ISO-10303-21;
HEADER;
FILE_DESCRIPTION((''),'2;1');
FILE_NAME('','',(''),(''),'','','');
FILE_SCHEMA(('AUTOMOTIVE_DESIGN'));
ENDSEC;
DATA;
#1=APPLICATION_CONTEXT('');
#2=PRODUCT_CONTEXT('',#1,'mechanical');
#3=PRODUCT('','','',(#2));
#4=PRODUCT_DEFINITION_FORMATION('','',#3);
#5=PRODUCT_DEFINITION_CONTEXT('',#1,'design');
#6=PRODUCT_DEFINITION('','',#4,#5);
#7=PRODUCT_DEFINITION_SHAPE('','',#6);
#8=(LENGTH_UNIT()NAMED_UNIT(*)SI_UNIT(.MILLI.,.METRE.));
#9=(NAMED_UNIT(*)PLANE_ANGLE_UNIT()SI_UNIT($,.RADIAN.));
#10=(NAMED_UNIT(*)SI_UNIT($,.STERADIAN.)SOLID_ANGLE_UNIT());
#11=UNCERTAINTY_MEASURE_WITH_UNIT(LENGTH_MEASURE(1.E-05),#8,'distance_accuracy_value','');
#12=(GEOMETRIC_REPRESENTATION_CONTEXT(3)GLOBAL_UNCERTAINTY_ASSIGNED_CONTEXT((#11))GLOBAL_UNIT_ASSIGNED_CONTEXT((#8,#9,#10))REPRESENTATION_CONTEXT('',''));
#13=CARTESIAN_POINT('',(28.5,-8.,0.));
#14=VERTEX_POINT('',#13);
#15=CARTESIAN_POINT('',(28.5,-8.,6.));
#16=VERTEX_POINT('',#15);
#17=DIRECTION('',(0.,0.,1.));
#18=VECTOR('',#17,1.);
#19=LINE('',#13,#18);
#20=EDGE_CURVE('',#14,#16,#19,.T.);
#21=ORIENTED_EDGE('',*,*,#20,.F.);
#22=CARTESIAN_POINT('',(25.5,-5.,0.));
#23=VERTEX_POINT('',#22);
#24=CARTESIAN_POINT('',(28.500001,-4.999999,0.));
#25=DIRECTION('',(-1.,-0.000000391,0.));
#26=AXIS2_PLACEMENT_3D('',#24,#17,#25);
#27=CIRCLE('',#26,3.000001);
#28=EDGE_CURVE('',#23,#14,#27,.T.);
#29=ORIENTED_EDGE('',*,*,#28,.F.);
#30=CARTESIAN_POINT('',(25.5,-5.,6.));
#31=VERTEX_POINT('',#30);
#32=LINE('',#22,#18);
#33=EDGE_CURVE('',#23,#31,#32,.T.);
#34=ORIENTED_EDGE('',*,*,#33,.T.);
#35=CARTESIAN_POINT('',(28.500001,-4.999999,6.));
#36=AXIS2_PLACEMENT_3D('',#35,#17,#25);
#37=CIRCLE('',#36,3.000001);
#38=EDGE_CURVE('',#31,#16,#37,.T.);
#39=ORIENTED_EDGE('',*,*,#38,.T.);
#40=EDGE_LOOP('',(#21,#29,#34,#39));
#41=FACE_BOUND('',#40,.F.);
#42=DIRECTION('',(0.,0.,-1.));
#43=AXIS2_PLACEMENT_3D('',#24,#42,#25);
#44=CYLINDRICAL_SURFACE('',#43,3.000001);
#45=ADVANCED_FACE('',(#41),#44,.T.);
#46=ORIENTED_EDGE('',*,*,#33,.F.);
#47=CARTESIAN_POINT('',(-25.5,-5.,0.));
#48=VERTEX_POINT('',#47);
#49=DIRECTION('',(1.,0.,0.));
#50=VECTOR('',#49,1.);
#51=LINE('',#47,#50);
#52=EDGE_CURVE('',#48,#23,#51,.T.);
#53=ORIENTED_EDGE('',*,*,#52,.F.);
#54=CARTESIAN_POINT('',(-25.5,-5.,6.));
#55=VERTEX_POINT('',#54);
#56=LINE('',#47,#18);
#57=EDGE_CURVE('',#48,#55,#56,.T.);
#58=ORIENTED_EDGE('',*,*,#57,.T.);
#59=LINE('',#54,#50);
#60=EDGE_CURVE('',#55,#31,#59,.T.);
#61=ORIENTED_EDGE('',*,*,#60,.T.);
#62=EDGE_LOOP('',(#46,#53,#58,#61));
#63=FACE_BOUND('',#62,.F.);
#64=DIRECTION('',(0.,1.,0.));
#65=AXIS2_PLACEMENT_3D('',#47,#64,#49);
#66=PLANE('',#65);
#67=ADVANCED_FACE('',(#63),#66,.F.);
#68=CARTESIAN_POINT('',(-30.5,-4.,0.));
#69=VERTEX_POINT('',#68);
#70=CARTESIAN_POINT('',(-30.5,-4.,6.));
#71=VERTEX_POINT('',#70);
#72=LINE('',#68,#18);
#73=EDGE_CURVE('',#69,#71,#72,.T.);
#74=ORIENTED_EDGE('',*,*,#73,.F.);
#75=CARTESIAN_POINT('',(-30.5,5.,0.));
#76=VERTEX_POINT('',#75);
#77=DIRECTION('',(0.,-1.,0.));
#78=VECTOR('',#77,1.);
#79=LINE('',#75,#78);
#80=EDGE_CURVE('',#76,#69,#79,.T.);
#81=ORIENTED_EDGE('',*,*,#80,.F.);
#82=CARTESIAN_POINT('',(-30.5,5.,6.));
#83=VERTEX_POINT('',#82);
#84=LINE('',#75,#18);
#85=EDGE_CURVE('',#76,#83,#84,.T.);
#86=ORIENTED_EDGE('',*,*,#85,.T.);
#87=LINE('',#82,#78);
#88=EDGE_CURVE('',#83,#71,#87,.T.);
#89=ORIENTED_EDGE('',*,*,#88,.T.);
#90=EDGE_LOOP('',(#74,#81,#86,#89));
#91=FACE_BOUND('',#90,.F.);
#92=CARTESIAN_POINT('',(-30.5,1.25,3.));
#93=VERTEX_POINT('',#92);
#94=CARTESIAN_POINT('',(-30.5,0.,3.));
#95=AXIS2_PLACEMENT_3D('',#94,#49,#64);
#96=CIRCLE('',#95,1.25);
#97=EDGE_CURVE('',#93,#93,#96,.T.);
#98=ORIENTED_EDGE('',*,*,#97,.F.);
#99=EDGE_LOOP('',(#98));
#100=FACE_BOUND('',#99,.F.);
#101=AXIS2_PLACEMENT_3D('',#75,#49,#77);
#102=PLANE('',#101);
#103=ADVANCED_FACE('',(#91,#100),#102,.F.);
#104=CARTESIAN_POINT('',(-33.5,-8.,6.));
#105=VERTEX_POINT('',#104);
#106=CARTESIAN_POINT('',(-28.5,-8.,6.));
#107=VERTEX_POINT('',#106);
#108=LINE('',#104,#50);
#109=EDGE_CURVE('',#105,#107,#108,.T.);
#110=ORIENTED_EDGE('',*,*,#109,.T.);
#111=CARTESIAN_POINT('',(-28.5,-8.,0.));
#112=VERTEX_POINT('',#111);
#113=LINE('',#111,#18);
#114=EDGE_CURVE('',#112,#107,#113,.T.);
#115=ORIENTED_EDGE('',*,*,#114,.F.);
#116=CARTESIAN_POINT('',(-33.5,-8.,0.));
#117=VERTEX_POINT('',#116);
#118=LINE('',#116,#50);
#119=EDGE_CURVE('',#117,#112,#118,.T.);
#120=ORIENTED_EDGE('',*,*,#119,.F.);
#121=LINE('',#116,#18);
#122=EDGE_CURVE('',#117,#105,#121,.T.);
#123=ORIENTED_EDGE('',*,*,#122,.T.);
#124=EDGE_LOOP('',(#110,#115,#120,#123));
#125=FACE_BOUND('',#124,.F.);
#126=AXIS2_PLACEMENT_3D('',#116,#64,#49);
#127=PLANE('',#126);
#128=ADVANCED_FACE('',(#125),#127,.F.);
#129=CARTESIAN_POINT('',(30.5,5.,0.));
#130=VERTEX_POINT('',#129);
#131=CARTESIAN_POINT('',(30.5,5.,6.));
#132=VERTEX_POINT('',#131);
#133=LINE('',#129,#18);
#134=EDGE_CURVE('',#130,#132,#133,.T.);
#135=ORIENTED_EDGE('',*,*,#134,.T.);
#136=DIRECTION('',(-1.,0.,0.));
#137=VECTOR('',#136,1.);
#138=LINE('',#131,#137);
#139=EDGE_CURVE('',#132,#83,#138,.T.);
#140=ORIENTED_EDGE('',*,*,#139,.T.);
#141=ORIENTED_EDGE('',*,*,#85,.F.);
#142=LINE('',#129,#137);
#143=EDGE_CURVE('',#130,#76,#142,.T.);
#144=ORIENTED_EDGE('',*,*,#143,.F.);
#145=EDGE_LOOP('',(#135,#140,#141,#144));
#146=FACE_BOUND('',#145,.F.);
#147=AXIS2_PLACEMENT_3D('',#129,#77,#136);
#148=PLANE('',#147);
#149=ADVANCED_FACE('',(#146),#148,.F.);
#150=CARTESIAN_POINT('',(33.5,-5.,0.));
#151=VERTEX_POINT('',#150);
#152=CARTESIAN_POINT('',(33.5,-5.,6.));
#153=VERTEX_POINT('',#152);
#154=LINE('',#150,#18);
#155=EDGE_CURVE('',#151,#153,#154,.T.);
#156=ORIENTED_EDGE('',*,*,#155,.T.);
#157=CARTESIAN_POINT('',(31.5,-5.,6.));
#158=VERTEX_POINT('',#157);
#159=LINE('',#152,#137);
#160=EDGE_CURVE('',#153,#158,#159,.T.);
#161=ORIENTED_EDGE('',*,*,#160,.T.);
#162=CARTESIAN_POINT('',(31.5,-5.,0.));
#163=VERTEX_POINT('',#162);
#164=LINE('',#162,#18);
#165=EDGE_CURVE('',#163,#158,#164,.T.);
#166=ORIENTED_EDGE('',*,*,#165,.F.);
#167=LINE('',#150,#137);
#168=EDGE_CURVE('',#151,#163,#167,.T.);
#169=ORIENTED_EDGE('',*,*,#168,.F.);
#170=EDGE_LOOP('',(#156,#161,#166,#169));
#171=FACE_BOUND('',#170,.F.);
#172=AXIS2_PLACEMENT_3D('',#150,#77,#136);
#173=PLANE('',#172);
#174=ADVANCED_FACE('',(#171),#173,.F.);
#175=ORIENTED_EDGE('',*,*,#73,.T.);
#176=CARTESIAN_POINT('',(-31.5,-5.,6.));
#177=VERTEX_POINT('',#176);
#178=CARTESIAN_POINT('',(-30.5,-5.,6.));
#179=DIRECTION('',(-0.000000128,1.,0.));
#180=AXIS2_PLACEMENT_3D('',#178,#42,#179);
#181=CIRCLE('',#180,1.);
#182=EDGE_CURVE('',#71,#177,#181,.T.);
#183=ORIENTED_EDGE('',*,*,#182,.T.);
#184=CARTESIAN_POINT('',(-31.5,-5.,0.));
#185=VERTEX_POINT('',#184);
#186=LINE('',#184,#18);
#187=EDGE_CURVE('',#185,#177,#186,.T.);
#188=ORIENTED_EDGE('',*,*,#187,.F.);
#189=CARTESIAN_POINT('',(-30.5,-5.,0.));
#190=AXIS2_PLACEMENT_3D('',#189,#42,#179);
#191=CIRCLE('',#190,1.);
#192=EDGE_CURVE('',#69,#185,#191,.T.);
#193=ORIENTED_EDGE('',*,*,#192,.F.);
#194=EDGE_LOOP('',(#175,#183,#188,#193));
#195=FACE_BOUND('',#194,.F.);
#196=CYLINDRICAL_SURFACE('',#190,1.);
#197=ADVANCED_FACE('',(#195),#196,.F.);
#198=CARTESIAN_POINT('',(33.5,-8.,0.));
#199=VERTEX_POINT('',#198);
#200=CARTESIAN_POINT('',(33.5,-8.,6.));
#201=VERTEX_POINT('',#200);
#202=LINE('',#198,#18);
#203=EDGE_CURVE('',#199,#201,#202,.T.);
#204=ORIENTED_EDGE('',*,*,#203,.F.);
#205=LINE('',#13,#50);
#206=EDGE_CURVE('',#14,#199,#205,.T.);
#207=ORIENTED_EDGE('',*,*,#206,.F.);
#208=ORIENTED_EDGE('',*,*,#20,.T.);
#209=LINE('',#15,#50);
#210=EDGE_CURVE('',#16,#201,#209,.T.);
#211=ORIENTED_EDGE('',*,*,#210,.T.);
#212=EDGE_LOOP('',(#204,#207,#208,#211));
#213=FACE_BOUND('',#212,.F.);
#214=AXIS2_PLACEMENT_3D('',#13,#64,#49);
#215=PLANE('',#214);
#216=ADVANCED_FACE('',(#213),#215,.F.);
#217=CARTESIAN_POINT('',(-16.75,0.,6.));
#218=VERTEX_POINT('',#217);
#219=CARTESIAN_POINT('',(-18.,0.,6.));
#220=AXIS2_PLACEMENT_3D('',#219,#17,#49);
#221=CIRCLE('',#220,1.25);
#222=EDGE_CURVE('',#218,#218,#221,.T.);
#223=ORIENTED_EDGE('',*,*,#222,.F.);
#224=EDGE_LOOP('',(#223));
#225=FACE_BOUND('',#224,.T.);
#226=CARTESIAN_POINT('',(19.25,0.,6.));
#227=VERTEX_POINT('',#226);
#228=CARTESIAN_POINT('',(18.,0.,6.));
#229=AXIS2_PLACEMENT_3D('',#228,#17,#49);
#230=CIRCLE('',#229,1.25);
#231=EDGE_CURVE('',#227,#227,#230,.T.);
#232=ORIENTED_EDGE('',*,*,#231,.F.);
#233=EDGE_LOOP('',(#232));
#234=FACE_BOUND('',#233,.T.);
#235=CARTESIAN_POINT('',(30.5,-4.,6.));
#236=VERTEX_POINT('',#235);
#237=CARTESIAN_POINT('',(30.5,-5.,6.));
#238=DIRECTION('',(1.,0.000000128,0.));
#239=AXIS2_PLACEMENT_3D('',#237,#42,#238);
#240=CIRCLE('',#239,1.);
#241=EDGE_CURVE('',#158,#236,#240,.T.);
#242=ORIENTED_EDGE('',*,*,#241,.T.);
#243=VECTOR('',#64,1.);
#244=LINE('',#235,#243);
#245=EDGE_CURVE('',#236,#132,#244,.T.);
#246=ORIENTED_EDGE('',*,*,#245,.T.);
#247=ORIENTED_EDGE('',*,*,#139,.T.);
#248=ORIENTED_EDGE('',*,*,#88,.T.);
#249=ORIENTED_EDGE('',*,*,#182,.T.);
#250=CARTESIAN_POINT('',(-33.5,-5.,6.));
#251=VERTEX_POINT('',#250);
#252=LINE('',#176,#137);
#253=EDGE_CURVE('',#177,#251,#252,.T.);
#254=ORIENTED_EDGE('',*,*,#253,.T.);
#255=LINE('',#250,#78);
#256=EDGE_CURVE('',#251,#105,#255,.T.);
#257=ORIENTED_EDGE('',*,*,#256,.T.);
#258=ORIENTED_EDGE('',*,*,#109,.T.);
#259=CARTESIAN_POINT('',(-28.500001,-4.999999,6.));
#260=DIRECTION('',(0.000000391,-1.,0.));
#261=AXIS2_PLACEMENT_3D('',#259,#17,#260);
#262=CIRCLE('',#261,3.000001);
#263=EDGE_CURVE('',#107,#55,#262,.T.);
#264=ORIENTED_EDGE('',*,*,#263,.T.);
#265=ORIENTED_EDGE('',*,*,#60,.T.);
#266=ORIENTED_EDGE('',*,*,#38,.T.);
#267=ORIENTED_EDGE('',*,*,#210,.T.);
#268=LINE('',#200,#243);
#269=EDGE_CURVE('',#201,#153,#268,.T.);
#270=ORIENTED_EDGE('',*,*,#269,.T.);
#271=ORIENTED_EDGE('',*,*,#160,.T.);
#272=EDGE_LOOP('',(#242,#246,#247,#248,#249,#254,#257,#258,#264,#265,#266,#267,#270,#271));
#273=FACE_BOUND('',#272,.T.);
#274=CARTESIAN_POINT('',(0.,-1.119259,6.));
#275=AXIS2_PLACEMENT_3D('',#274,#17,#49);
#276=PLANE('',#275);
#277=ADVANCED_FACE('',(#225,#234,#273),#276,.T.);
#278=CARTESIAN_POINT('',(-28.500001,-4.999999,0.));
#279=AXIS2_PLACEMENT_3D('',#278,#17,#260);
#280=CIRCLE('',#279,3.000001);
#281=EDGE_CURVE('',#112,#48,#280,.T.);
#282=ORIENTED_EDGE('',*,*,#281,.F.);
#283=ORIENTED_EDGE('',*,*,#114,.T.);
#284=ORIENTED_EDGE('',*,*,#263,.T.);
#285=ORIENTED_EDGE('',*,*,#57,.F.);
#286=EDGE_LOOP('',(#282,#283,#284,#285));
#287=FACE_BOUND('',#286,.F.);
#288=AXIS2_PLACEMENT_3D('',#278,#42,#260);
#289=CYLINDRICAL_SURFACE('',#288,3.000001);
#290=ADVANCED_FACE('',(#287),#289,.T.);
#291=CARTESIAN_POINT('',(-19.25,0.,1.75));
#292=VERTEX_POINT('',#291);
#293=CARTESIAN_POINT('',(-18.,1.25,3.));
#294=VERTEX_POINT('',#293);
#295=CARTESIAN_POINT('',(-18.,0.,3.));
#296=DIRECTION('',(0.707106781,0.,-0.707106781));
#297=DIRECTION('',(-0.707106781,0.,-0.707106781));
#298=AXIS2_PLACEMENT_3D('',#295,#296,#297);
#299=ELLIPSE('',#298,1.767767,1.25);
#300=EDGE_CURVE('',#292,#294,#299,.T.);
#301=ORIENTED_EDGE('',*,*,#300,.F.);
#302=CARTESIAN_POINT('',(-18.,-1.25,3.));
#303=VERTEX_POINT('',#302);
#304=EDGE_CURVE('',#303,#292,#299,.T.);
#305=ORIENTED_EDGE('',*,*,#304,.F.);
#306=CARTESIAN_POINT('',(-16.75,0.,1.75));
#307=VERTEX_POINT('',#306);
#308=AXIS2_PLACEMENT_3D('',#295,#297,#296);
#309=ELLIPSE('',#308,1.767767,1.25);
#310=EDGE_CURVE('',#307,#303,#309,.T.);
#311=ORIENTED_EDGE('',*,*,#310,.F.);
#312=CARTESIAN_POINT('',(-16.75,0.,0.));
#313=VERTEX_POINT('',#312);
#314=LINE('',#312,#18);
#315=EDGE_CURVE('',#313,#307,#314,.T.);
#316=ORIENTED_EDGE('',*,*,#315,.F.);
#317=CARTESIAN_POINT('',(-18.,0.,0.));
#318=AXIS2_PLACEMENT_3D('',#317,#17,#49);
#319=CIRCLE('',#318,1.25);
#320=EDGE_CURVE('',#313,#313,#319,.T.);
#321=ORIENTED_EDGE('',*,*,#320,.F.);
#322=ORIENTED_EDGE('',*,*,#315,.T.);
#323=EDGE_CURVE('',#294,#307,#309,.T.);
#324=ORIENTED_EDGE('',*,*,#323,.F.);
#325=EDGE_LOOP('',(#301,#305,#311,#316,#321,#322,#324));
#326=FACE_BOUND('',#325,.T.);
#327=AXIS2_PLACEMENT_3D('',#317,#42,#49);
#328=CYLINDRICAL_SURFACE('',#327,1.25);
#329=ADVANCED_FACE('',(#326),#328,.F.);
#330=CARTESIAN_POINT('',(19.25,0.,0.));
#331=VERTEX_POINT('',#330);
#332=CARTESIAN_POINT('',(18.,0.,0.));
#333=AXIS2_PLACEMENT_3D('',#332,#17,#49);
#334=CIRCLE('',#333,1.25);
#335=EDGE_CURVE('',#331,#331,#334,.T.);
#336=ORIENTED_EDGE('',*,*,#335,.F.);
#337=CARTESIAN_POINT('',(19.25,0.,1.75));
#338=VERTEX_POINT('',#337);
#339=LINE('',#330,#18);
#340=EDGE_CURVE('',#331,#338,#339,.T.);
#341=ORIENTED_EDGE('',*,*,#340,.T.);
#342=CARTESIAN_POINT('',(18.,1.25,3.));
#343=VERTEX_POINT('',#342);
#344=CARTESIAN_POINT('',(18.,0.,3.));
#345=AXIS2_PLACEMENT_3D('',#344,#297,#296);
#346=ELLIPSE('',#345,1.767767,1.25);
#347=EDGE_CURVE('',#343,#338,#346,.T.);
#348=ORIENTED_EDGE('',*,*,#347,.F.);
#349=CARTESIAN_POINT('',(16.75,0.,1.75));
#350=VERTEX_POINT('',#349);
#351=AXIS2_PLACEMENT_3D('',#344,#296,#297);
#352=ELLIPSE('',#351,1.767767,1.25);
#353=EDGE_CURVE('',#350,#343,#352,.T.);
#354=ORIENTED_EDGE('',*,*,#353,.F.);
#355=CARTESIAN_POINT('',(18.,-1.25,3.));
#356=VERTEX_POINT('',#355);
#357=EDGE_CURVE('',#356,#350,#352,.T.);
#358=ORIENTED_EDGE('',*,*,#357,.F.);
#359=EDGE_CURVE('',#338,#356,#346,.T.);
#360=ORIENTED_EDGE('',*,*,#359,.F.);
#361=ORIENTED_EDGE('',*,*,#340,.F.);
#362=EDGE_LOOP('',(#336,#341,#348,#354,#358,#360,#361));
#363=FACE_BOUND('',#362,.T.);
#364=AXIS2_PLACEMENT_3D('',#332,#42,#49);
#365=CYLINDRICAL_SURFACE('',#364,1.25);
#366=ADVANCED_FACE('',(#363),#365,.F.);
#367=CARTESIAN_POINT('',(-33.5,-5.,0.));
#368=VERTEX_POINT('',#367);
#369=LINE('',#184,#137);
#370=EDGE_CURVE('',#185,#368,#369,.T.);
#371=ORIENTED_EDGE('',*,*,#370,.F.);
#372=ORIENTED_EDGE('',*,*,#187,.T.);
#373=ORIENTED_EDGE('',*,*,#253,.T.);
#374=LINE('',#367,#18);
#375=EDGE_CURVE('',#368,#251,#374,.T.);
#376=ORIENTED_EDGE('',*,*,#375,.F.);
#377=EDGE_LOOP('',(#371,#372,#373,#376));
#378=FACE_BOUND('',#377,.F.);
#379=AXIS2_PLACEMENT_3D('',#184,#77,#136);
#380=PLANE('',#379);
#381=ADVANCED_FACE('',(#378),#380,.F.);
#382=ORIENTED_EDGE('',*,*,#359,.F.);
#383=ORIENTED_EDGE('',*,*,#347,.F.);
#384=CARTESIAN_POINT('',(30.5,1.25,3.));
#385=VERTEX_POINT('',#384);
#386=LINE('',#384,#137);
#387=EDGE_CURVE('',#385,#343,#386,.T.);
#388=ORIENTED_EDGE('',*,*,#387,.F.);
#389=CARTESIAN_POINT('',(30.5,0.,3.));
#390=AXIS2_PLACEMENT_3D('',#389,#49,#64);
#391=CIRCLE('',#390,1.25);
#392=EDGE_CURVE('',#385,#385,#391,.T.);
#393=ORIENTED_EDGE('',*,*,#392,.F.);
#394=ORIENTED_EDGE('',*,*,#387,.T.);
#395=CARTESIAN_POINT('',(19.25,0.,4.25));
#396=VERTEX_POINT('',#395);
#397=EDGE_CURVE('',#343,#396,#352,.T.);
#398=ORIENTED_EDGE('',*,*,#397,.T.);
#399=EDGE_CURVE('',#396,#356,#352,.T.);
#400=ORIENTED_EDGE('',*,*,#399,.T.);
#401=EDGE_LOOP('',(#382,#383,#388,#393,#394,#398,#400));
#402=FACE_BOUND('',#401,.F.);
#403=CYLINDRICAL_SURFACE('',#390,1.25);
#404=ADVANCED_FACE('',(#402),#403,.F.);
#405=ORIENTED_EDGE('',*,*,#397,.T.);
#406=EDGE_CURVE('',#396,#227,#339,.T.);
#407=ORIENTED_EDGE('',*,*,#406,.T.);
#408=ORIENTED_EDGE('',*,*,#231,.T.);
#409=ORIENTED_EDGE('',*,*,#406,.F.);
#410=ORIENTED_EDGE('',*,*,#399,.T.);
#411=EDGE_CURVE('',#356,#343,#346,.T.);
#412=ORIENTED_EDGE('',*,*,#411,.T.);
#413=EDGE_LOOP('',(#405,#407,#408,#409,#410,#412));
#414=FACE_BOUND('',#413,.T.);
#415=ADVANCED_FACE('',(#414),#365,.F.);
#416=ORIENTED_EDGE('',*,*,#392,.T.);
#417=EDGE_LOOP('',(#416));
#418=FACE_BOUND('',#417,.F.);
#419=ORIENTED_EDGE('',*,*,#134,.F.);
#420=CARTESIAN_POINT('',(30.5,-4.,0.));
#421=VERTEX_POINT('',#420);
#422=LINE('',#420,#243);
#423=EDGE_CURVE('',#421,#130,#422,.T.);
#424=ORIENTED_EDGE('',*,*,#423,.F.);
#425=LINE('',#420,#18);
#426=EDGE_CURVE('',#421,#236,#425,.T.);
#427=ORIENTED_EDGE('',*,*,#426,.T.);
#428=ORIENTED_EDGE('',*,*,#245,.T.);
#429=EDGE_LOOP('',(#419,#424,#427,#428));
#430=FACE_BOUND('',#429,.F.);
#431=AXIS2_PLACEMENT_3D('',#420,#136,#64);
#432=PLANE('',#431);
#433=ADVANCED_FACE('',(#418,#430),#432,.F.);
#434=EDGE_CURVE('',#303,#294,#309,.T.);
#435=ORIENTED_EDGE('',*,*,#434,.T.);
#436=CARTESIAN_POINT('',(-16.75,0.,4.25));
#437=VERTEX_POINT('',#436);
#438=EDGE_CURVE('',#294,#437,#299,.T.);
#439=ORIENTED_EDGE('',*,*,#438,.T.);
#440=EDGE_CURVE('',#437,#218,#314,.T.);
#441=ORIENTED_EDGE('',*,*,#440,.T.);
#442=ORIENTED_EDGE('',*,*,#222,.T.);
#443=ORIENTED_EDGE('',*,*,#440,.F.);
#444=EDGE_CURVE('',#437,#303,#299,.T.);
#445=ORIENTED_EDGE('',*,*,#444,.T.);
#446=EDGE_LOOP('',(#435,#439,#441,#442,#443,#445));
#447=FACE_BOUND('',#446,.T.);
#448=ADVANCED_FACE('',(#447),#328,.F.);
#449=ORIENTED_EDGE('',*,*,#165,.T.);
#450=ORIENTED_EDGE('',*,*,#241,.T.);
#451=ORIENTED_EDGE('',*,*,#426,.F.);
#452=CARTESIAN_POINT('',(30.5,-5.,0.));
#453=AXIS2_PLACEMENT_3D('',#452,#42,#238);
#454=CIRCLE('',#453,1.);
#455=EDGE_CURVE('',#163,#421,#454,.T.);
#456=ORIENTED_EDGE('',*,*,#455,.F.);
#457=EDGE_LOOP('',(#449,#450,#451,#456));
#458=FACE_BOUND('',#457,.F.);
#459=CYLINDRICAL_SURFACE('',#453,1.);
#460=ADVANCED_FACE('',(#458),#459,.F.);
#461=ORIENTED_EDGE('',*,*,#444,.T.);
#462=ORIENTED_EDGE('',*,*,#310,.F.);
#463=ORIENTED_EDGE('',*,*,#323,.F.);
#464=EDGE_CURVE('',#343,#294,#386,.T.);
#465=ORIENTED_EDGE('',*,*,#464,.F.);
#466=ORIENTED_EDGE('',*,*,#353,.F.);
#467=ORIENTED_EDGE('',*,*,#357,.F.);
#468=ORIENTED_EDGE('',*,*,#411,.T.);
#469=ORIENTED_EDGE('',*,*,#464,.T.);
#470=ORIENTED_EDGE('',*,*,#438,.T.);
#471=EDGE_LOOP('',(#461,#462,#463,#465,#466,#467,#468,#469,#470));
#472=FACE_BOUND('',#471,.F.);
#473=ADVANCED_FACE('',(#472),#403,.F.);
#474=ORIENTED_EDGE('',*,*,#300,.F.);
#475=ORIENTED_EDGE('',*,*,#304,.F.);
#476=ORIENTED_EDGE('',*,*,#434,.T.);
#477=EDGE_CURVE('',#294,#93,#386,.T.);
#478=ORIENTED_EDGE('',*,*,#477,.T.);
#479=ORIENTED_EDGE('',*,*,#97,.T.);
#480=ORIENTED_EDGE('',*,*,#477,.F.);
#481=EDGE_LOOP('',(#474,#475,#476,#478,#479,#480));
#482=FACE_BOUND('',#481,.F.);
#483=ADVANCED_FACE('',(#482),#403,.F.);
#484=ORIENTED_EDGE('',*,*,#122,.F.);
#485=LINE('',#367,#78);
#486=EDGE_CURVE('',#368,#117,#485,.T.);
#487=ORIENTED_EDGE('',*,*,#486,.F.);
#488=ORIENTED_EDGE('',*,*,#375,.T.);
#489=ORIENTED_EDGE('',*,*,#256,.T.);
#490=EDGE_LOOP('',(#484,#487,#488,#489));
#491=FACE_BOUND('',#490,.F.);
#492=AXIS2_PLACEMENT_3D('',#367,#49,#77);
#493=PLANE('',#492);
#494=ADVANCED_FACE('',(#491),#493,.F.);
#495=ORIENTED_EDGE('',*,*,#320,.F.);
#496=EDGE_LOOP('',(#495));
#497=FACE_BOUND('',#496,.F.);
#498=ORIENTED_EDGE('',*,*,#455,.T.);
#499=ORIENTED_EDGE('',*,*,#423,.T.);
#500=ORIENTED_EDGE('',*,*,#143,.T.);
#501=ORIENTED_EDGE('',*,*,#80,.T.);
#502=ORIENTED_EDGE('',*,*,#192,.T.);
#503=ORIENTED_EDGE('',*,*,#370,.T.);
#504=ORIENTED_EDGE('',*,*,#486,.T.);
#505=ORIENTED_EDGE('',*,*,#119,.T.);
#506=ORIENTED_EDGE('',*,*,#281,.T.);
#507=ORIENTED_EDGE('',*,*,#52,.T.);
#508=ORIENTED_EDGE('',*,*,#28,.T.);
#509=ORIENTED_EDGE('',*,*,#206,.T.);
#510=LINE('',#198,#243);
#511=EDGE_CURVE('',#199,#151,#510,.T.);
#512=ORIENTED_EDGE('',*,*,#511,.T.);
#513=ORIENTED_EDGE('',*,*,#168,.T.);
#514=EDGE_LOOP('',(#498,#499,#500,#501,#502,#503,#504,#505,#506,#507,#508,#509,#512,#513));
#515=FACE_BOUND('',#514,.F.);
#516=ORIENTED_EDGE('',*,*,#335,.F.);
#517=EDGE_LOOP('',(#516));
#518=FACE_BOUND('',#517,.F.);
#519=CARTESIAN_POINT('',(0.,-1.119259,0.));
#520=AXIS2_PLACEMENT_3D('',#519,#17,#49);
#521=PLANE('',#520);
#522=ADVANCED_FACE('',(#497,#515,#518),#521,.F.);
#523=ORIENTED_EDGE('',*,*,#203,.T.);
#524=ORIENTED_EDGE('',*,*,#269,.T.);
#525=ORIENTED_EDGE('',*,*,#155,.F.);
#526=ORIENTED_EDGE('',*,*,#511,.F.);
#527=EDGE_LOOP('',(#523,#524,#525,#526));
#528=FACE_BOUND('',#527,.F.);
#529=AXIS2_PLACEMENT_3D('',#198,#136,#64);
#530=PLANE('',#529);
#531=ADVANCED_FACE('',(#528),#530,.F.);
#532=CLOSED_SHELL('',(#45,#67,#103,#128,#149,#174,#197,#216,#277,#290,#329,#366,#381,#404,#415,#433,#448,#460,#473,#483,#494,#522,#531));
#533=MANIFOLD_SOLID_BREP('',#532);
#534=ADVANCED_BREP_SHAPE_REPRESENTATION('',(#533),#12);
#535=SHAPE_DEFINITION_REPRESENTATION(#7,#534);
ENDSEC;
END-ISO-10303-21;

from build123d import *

# Parameters (mm, degrees)
F0_R     = 1.25
F1_DEPTH = 6
F2_R     = 1.25
F3_DEPTH = 64.001


with BuildPart() as f1:
    # F0 (on Top) → F1 (new body)
    with BuildSketch(Plane.XY):
        with BuildLine():
            Line((30.5, -4), (30.5, 5))
            Line((30.5, 5), (-30.5, 5))
            Line((-30.5, 5), (-30.5, -4))
            ThreePointArc((-30.5, -4), (-29.792893, -5.707107), (-31.5, -5))
            Line((-31.5, -5), (-33.5, -5))
            Line((-33.5, -5), (-33.5, -8))
            Line((-33.5, -8), (-28.5, -8))
            ThreePointArc((-28.5, -8), (-26.37868, -7.12132), (-25.5, -5))
            Line((-25.5, -5), (25.5, -5))
            ThreePointArc((25.5, -5), (26.37868, -7.12132), (28.5, -8))
            Line((28.5, -8), (33.5, -8))
            Line((33.5, -8), (33.5, -5))
            Line((33.5, -5), (31.5, -5))
            ThreePointArc((31.5, -5), (29.792893, -5.707107), (30.5, -4))
        make_face()
        with Locations((-18, 0)):
            Circle(F0_R, mode=Mode.SUBTRACT)
        with Locations((18, 0)):
            Circle(F0_R, mode=Mode.SUBTRACT)
    extrude(amount=F1_DEPTH)

    # F2 (on face) → F3 (cut, through all)
    with BuildSketch(Plane.YZ.offset(30.5)):
        with Locations((0, 3)):
            Circle(F2_R)
    extrude(amount=-F3_DEPTH, mode=Mode.SUBTRACT)


solid = f1.part
